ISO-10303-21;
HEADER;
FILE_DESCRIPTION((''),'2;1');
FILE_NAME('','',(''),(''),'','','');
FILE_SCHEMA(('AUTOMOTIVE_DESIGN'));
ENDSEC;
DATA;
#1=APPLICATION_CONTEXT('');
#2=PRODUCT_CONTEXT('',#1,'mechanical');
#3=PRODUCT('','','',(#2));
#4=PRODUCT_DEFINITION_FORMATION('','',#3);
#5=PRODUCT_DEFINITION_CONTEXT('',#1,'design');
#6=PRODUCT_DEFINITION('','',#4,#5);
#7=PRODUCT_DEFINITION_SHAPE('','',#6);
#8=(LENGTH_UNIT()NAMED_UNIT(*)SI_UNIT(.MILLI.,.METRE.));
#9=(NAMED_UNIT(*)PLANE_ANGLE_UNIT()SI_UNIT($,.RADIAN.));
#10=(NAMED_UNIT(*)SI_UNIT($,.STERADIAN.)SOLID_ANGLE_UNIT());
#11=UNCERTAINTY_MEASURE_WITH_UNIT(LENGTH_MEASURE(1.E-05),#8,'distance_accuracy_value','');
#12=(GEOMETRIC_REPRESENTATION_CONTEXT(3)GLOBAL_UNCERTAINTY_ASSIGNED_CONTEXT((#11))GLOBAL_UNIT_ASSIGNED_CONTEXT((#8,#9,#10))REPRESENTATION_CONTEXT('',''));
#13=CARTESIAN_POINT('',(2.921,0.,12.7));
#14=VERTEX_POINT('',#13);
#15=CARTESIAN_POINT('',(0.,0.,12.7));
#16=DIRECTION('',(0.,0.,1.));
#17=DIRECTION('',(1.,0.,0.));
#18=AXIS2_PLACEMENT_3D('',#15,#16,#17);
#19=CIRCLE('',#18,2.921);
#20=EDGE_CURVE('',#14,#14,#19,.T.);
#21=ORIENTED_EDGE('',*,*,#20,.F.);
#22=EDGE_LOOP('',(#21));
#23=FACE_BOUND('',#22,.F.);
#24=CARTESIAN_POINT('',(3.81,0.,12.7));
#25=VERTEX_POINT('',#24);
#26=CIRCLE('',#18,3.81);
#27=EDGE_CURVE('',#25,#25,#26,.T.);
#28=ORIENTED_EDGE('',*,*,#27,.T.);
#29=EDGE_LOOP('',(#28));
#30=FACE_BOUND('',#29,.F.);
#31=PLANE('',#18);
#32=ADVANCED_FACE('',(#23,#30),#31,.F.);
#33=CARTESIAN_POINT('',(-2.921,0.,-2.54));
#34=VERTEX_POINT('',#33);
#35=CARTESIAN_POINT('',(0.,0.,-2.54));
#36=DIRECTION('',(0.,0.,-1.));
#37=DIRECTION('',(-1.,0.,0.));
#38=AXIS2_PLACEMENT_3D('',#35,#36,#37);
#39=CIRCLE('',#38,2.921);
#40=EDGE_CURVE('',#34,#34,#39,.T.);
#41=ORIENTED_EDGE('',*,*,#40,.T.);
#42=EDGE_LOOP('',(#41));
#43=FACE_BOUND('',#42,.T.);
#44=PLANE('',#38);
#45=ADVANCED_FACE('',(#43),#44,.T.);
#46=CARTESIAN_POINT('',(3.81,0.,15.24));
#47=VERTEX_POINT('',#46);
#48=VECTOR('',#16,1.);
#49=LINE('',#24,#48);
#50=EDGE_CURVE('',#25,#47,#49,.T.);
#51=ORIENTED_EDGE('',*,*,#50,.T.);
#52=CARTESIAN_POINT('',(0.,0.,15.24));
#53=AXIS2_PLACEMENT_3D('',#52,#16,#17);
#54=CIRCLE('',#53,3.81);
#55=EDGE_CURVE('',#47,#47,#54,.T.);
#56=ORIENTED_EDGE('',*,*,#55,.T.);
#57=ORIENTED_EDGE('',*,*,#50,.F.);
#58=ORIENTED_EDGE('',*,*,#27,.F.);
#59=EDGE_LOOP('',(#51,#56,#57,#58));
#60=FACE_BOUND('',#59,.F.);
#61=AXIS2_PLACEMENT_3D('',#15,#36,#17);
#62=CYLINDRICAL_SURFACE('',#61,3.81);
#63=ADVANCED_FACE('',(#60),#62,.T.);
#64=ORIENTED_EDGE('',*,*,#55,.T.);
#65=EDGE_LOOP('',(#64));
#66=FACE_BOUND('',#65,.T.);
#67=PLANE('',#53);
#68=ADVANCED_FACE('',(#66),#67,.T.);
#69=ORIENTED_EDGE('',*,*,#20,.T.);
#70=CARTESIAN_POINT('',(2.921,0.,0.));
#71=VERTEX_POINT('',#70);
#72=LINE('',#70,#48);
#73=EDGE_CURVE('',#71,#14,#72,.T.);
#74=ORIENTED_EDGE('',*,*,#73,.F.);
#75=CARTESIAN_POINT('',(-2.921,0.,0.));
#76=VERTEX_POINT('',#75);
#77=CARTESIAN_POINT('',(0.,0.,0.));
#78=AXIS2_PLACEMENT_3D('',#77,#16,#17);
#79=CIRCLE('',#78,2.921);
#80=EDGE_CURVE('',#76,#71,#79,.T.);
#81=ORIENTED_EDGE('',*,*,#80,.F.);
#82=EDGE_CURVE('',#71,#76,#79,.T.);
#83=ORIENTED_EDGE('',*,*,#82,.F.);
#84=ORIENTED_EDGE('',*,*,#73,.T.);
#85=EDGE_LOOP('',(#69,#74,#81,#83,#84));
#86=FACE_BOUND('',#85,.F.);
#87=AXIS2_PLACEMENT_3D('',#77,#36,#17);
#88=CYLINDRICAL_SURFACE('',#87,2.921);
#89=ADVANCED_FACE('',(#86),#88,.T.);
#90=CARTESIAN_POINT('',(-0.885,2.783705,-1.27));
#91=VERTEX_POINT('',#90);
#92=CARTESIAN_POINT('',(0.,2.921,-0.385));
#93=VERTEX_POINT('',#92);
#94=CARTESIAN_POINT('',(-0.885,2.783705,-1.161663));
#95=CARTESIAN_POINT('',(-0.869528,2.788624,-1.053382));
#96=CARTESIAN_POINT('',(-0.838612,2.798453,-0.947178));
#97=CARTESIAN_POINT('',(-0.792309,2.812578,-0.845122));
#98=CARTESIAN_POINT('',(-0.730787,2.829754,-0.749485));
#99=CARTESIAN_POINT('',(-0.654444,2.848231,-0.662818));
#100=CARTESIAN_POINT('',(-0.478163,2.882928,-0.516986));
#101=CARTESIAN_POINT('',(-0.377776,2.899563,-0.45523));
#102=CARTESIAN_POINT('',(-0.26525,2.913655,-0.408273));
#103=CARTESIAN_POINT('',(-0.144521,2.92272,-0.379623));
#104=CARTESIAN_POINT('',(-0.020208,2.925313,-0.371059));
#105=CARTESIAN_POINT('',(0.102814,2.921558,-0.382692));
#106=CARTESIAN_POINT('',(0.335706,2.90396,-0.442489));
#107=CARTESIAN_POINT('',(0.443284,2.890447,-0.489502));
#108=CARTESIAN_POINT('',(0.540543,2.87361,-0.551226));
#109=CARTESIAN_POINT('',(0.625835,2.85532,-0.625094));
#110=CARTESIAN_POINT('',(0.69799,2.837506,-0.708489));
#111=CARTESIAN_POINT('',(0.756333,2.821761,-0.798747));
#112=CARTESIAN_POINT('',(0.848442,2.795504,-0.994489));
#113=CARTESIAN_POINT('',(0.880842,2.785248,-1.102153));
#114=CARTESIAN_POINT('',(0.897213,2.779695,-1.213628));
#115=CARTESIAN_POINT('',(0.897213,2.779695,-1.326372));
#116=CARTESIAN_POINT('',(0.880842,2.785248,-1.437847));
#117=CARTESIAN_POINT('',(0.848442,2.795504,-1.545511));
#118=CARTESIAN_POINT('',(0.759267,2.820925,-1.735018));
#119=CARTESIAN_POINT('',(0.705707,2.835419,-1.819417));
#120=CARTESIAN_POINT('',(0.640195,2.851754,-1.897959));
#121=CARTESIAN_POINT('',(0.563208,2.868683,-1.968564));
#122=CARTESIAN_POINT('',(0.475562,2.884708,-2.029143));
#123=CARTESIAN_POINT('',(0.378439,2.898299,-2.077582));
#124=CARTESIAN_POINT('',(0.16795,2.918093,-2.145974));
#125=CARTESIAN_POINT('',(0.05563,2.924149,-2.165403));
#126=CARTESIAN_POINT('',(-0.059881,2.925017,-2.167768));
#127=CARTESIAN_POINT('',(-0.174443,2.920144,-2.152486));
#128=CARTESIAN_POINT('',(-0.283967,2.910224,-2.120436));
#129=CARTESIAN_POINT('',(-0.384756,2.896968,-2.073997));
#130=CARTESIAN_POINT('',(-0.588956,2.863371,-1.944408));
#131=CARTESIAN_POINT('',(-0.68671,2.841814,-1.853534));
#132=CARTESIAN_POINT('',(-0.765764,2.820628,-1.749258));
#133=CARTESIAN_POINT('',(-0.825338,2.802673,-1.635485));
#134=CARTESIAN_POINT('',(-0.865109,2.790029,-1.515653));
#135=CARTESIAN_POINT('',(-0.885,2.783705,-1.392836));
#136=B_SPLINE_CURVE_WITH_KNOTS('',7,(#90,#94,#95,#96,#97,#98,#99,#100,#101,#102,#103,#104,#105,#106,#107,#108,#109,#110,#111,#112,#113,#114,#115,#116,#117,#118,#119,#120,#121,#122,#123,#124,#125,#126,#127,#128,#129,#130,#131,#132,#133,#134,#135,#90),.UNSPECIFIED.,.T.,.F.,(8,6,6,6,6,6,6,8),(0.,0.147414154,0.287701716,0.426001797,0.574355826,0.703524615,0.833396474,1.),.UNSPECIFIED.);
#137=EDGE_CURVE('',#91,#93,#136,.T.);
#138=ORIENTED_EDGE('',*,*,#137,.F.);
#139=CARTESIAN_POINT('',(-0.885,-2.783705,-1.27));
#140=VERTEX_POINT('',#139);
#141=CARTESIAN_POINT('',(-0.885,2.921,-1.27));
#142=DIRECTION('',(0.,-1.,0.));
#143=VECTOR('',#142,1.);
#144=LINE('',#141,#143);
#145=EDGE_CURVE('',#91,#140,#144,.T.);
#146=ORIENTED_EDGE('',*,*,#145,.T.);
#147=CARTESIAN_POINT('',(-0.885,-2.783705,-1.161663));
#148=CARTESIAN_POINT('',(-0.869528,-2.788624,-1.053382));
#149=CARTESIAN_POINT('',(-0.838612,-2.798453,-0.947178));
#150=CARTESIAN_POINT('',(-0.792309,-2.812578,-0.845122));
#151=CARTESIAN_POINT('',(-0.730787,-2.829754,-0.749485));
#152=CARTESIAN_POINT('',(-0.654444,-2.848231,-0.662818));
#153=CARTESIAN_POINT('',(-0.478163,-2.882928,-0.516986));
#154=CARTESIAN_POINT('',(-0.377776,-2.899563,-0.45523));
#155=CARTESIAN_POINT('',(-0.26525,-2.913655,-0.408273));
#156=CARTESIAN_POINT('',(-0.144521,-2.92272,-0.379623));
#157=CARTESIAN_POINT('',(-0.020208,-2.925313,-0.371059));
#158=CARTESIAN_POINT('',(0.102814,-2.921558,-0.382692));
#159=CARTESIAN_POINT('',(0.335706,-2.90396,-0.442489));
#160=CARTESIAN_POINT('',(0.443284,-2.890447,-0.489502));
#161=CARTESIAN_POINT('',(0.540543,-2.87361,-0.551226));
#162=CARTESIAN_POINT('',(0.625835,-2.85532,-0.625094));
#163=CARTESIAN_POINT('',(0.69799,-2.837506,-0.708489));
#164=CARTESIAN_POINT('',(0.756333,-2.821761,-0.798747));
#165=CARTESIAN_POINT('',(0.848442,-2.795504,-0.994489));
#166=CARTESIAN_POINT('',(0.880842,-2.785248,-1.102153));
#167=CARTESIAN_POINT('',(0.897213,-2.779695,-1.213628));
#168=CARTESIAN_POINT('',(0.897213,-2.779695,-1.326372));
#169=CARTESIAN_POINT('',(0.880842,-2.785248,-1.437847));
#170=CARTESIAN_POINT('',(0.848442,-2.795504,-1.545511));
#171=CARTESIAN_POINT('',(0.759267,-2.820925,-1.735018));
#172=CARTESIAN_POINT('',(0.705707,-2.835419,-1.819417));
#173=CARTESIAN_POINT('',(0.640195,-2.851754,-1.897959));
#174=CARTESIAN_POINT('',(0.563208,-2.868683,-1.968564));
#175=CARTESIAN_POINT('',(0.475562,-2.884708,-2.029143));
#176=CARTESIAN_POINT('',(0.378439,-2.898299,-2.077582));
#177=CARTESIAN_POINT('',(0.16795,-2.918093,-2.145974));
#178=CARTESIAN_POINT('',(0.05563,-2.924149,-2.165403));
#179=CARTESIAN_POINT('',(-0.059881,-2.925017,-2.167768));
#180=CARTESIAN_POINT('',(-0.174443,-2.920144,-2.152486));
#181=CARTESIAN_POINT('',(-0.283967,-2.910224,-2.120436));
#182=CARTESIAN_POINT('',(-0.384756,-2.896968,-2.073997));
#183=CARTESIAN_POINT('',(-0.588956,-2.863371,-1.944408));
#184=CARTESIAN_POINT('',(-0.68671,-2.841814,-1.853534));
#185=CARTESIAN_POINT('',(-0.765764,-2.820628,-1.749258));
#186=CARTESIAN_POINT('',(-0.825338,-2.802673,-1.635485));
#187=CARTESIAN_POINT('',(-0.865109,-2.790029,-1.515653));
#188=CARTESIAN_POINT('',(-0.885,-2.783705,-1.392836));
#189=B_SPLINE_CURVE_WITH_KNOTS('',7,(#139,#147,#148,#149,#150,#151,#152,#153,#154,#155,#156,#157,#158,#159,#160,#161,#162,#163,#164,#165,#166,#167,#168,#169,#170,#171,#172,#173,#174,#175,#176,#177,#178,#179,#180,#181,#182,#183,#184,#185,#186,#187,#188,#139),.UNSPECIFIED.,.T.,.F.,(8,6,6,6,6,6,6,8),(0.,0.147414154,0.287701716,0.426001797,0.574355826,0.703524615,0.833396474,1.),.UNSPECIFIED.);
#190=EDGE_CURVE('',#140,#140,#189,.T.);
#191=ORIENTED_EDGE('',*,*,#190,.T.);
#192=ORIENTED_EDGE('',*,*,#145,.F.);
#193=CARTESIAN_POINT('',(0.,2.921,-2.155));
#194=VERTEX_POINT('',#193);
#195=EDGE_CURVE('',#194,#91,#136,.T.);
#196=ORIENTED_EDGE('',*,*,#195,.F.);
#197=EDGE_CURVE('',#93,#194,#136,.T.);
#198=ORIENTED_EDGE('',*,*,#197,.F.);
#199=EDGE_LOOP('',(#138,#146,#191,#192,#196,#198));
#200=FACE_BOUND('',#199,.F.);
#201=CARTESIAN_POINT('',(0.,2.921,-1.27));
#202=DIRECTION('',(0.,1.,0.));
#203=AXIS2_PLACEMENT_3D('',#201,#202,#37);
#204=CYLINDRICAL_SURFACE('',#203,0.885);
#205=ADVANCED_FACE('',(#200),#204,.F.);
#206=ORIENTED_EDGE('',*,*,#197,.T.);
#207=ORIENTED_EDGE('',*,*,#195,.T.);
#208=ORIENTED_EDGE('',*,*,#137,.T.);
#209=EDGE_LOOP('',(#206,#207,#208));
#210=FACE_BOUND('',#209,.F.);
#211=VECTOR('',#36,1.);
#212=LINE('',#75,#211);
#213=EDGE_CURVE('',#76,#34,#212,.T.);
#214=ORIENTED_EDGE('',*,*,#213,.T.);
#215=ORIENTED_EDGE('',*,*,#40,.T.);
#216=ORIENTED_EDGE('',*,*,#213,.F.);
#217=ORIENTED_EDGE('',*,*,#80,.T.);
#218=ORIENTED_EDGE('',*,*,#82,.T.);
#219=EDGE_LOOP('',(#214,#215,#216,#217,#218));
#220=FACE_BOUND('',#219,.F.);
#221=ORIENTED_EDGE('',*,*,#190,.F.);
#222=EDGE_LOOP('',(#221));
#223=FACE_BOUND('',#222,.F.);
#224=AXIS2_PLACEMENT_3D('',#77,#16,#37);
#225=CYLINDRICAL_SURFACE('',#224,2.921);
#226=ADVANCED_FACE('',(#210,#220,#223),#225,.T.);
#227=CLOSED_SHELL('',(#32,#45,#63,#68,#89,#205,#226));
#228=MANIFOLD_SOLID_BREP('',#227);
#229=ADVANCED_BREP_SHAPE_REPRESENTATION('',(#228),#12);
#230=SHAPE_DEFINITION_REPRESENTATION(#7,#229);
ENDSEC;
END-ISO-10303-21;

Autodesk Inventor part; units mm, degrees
ref_plane "YZ Plane" through (0, 0, 0) normal (1, 0, 0) x (0, 1, 0)
ref_plane "XZ Plane" through (0, 0, 0) normal (0, 1, 0) x (-1, 0, 0)
sketch "Sketch1" plane through (0, 0, 0) normal (0, 0, 1) x (1, 0, 0)
  circle A0 centre (0, 0) radius 2.921
  dimension "d0" = 5.842
extrude "Extrusion1" add sketch "Sketch1" along normal blind 12.7
sketch "Sketch2" plane through (0, 0, 12.7) normal (0, 0, 1) x (1, 0, 0)
  circle A0 centre (0, 0) radius 3.81
  dimension "d3" = 7.62
extrude "Extrusion2" add sketch "Sketch2" along normal blind 2.54
sketch "Sketch3" plane through (0, 0, 0) normal (0, 0, -1) x (-1, 0, 0)
  circle A0 centre (0, 0) radius 2.921
  dimension "d12" = 5.842
extrude "Extrusion3" add sketch "Sketch3" along normal blind 2.54
sketch "Sketch4" plane through (0, 0, -2.54) normal (0, 0, -1) x (-1, 0, 0)
  circle A0 centre (0, 0) radius 2.921 projected
  point P0 (0, 2.921)
ref_plane "Work Plane1" through (0, 2.921, -2.54) normal (0, 1, 0) x (-1, 0, 0)
sketch "Sketch5" plane through (0, 2.921, -2.54) normal (0, 1, 0) x (-1, 0, 0)
  circle A0 centre (0, 1.27) radius 0.885
  line L0 (-2.921, 0) -> (2.921, 0) projected
  point P0 (0, 2.54)
  dimension "d8" = 1.77
  dimension "d9" = 1.27
extrude "Extrusion4" cut sketch "Sketch5" against normal blind 7.3025
properties part number "Pin"
